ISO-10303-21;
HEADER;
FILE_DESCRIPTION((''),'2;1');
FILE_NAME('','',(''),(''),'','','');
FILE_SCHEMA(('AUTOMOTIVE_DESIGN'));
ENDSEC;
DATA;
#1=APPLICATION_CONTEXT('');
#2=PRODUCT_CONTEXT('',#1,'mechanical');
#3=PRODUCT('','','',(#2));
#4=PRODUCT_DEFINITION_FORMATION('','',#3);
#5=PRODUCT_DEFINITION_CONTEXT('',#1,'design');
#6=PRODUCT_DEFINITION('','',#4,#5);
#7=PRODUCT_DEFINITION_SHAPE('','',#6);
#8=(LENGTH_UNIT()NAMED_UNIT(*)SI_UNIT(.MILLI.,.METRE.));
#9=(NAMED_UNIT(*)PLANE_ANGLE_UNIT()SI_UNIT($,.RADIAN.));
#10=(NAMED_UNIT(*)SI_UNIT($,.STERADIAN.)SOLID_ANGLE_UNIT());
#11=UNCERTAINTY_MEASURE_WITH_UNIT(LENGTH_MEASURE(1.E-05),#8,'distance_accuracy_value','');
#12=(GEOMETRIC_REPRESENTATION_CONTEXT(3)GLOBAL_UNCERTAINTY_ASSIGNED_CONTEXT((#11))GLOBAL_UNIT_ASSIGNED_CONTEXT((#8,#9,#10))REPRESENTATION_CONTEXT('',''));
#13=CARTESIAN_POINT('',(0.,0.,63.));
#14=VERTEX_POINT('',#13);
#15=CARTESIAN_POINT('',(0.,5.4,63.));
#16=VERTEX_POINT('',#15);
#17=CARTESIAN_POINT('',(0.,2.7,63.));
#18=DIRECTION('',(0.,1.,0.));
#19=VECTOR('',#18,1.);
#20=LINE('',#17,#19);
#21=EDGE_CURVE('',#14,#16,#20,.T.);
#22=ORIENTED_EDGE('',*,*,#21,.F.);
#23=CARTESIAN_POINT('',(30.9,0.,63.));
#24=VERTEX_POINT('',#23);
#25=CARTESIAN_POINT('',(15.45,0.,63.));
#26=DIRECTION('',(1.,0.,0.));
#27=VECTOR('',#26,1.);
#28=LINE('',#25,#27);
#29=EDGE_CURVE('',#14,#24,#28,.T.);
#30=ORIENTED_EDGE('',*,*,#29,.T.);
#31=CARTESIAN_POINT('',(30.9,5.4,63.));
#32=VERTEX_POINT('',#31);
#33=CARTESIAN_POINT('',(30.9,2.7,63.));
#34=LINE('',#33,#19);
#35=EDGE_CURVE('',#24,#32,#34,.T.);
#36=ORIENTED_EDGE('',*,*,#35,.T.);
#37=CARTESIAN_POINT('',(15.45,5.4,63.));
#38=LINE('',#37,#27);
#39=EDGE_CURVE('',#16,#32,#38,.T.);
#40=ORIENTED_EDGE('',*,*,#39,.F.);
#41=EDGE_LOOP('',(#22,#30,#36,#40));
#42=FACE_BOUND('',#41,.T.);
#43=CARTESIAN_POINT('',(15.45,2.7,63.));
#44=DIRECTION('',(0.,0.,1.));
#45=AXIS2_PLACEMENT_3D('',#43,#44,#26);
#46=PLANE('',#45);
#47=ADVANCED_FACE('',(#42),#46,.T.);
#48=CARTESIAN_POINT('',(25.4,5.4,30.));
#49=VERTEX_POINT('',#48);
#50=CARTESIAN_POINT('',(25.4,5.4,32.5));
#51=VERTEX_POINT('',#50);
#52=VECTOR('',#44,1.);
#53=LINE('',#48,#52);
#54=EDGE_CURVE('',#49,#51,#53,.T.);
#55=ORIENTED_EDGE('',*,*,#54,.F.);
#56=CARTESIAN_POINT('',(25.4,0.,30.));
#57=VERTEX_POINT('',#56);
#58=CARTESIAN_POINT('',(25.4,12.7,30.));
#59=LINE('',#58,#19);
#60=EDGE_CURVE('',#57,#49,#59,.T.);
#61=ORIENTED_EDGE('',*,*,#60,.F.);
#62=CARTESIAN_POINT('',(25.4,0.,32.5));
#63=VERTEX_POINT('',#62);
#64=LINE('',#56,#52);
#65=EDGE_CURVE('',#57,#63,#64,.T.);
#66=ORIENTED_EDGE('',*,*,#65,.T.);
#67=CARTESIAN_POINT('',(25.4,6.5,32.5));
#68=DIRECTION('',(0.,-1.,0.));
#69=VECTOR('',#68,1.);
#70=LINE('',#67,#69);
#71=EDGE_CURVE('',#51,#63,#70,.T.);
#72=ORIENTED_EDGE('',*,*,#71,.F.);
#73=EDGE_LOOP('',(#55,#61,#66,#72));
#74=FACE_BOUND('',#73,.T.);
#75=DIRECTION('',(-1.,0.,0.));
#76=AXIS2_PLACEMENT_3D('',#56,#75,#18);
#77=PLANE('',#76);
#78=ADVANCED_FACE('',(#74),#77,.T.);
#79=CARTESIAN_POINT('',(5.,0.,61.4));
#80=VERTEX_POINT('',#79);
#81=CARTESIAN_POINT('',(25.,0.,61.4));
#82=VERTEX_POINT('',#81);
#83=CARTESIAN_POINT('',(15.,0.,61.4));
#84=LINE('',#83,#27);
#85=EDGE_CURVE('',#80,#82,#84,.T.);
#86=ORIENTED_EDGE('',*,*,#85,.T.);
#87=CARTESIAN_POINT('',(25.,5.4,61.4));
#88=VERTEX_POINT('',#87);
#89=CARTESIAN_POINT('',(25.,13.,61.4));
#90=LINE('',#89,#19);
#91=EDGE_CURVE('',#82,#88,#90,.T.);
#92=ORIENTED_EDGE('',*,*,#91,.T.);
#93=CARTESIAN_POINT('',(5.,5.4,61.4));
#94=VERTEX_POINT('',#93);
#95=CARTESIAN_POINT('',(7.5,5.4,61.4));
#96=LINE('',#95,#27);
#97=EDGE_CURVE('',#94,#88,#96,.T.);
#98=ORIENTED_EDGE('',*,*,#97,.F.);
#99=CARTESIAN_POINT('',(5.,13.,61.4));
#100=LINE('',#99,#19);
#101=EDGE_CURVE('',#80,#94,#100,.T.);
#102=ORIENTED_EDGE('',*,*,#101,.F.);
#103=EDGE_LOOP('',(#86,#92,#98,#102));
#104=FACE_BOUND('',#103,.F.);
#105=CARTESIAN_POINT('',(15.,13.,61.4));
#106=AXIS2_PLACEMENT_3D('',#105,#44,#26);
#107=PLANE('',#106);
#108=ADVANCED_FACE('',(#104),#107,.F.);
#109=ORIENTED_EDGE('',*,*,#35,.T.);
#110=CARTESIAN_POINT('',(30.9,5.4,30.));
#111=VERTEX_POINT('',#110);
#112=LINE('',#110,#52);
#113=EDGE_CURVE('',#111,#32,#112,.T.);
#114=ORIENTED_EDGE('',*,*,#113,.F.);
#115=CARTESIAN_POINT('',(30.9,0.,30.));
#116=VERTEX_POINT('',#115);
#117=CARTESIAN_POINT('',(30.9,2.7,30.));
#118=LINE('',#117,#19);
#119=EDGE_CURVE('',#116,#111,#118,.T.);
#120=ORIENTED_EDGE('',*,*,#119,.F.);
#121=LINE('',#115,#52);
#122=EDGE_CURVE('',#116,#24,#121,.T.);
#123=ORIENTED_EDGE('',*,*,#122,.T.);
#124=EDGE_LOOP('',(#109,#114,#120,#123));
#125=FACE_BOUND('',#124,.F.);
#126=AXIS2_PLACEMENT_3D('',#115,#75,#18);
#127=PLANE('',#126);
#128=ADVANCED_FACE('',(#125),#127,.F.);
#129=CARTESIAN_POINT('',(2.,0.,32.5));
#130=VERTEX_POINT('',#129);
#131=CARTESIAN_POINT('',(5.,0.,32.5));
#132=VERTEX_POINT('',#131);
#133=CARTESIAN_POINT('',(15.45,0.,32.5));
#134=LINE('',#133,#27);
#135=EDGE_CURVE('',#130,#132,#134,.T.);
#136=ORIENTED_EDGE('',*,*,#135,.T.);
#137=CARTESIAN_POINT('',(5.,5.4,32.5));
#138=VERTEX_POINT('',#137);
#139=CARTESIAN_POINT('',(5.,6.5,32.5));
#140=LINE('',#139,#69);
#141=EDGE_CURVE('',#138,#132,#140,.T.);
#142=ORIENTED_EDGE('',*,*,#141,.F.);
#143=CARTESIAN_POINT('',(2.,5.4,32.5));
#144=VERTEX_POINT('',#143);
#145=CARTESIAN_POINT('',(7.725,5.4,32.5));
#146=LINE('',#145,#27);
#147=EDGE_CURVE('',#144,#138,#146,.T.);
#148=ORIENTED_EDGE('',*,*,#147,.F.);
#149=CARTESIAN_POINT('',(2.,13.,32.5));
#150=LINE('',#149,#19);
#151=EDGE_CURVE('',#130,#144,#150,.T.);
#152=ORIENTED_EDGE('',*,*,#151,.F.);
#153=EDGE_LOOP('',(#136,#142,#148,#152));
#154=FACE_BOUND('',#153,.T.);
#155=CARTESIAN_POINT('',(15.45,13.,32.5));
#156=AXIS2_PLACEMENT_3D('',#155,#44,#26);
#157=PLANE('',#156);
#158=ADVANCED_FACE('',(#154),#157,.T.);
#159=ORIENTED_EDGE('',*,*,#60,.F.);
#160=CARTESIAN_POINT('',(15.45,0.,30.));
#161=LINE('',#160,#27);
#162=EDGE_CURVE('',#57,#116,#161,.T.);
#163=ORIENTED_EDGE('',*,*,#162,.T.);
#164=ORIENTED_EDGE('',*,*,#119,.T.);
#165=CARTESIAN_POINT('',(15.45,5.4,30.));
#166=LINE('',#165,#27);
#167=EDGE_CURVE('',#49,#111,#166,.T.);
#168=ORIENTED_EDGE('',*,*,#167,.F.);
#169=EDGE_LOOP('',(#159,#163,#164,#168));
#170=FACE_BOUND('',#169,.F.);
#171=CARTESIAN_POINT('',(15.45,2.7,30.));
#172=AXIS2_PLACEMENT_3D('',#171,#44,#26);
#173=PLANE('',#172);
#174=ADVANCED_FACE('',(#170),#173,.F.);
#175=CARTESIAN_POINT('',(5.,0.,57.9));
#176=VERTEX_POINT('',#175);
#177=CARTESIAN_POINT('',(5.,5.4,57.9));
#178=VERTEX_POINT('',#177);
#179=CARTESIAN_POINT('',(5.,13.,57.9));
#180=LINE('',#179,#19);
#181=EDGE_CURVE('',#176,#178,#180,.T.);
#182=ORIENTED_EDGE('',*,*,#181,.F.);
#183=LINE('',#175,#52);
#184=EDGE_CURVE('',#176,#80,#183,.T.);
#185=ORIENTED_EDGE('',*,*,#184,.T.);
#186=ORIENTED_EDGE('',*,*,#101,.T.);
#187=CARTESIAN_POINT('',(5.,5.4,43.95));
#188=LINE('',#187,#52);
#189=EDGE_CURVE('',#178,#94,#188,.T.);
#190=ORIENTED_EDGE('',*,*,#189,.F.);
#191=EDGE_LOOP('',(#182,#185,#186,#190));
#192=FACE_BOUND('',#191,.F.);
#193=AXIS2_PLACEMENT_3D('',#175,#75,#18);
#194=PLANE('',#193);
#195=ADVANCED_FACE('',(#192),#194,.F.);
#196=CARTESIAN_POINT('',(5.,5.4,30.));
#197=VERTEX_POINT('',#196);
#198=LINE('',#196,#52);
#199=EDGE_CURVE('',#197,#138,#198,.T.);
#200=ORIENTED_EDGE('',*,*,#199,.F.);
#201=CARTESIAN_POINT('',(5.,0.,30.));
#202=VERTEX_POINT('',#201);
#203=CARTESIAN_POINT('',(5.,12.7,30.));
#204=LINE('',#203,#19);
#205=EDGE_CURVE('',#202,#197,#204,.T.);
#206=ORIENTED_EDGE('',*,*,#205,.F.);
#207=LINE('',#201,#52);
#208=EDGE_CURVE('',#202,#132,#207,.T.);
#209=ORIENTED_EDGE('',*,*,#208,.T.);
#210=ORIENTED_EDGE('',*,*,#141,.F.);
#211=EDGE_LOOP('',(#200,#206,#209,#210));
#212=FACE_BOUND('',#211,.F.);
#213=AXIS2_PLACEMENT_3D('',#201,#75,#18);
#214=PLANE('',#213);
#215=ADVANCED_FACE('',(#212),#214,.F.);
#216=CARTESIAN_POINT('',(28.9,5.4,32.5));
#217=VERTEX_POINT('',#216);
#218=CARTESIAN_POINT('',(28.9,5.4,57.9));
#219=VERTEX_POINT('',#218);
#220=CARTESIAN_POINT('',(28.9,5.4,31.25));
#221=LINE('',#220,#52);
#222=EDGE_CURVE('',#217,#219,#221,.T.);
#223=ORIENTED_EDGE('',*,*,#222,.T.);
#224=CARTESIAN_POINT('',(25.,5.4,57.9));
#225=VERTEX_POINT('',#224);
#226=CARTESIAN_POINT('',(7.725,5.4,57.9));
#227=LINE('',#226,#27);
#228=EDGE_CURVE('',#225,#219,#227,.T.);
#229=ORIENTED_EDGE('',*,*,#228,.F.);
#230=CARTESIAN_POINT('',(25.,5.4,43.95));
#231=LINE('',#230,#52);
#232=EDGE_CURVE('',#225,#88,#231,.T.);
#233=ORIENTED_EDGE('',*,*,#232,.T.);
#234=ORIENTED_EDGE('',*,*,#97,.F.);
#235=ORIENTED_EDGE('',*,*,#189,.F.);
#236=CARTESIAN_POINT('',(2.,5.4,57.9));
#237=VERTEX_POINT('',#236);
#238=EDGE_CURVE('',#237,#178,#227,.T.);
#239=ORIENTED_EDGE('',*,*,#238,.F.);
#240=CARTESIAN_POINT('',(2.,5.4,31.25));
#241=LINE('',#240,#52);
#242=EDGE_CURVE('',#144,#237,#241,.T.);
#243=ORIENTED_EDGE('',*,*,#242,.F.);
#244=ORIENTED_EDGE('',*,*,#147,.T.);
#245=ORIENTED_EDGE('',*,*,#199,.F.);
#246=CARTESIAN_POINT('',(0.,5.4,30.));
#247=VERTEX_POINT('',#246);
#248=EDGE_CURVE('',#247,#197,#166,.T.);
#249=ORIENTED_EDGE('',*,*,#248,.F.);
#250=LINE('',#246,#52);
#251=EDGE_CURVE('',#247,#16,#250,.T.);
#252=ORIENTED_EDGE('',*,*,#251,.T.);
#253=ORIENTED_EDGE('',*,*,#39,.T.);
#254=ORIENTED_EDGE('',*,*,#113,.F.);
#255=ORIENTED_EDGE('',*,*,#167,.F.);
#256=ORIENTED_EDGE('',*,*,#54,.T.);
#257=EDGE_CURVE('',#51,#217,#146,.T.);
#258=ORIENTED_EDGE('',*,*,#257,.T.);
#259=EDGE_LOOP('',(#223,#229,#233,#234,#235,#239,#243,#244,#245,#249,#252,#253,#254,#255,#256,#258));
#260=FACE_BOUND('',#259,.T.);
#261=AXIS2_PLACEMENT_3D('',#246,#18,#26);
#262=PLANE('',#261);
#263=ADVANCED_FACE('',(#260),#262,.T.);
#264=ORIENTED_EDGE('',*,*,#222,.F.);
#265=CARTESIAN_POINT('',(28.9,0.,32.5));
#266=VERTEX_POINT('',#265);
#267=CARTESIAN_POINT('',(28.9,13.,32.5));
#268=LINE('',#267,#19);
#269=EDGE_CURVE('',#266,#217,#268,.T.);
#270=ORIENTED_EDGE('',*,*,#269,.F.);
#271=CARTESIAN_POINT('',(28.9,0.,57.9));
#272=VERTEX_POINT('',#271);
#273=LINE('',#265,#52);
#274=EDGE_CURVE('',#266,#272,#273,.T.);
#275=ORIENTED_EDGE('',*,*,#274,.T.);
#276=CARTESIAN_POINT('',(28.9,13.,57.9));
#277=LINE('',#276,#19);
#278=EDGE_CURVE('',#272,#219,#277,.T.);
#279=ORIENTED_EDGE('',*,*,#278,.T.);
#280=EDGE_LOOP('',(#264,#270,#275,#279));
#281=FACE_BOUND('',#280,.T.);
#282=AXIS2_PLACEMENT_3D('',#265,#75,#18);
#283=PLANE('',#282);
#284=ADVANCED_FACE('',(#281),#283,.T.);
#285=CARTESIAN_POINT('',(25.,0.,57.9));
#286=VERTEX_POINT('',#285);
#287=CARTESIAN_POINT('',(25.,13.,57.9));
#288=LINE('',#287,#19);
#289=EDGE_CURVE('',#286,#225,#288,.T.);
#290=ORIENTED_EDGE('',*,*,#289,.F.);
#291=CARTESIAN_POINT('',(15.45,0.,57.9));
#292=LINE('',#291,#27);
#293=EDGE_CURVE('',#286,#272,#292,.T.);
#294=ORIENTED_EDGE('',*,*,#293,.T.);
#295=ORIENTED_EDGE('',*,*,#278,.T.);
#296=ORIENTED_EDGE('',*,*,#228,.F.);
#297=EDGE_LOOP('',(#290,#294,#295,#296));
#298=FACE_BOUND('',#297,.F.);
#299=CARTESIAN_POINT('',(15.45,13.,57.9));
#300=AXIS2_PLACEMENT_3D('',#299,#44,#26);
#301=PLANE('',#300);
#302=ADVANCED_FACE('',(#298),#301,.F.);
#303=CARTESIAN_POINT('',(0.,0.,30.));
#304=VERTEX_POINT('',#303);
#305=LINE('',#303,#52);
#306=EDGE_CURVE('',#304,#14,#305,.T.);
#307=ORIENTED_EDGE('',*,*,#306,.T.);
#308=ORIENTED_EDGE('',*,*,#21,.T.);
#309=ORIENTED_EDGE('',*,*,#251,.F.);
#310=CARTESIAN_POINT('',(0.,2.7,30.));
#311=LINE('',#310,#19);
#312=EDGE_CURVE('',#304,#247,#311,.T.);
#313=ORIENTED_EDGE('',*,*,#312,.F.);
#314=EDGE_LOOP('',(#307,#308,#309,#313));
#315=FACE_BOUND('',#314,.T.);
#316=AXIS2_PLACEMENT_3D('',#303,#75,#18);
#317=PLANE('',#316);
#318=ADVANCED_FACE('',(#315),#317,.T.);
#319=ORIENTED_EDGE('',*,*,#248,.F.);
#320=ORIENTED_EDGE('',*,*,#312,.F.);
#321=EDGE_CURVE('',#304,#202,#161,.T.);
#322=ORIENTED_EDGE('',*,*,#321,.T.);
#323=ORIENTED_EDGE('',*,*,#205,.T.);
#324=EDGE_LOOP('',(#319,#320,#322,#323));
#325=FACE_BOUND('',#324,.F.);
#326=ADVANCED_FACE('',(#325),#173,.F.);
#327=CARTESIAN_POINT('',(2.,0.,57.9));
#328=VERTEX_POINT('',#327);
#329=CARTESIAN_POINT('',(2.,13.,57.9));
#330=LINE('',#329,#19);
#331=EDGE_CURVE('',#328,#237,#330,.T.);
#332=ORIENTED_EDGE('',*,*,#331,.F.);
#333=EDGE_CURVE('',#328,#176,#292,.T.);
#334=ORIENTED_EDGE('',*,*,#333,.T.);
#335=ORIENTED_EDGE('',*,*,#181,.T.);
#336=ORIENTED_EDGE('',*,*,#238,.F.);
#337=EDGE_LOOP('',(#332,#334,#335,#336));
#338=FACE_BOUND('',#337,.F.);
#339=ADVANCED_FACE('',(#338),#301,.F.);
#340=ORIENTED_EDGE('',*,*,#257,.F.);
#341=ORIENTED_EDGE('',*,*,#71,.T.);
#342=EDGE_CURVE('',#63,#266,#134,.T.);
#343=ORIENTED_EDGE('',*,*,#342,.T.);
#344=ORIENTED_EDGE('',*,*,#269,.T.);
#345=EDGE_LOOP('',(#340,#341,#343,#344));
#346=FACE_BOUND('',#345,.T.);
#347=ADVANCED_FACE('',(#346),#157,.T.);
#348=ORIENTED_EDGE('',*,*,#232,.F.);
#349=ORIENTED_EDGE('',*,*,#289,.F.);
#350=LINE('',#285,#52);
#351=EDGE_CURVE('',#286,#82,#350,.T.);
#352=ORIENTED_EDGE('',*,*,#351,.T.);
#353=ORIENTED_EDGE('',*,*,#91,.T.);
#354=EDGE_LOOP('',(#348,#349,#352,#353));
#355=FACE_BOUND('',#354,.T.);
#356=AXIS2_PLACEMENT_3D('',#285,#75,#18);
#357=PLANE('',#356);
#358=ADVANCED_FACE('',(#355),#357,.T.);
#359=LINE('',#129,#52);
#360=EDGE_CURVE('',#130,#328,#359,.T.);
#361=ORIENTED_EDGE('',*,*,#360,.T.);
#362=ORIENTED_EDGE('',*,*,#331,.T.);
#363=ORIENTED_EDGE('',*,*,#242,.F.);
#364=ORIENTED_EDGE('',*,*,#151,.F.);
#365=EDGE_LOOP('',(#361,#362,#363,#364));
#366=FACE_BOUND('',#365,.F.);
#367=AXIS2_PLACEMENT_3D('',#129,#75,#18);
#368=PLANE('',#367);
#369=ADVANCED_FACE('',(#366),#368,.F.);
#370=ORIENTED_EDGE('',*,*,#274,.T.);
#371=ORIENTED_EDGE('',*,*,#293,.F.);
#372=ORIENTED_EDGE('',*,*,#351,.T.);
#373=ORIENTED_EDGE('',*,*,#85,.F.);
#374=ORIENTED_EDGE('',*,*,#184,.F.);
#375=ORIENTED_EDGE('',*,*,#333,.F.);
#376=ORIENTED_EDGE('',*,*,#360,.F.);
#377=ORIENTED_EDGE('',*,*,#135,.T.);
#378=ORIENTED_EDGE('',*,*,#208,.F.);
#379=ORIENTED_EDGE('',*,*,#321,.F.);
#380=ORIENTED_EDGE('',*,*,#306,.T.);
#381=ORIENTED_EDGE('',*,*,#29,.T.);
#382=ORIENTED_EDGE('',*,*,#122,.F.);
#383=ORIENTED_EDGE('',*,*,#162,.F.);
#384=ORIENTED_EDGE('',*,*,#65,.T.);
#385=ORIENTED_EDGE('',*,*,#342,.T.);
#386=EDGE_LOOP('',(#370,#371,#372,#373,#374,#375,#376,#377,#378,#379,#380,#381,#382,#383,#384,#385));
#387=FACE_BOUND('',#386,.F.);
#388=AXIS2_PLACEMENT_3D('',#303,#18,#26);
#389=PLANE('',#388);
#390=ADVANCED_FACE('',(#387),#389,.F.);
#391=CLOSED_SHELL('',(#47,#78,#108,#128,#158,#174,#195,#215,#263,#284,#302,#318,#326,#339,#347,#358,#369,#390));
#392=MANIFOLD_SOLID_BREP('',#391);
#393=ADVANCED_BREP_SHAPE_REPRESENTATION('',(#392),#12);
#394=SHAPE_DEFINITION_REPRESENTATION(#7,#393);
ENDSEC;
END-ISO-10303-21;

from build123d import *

# Parameters (mm, degrees)
BOX003_W     = 20
BOX003_H     = 26
BOX003_DEPTH = 3.5
BOX002_W     = 20.4
BOX002_H     = 25.4
BOX002_DEPTH = 10
BOX001_W     = 26.9
BOX001_H     = 26
BOX001_DEPTH = 25.4
BOX_W        = 30.9
BOX_H        = 5.4
BOX_DEPTH    = 33


with BuildPart() as cableslot:
    # Box003 → Box003 (new body)
    with BuildSketch(Plane(origin=(5, 0, 27.9), x_dir=(1, 0, 0), z_dir=(0, 0, 1))):
        with Locations((10, 13)):
            Rectangle(BOX003_W, BOX003_H)
    extrude(amount=BOX003_DEPTH)


with BuildPart() as gap:
    # Box002 → Box002 (new body)
    with BuildSketch(Plane(origin=(5, 0, 0), x_dir=(1, 0, 0), z_dir=(0, 0, 1))):
        with Locations((10.2, 12.7)):
            Rectangle(BOX002_W, BOX002_H)
    extrude(amount=BOX002_DEPTH)


with BuildPart() as bar:
    # Box001 → Box001 (new body)
    with BuildSketch(Plane(origin=(2, 0, 2.5), x_dir=(1, 0, 0), z_dir=(0, 0, 1))):
        with Locations((13.45, 13)):
            Rectangle(BOX001_W, BOX001_H)
    extrude(amount=BOX001_DEPTH)


with BuildPart() as cut002:
    # Box → Box (new body)
    with BuildSketch(Plane.XY):
        with Locations((15.45, 2.7)):
            Rectangle(BOX_W, BOX_H)
    extrude(amount=BOX_DEPTH)

    # Cut: cut Bar
    add(bar.part, mode=Mode.SUBTRACT)

    # Cut001: cut Gap
    add(gap.part, mode=Mode.SUBTRACT)

    # Cut002: cut CableSlot
    add(cableslot.part, mode=Mode.SUBTRACT)


with BuildPart() as cut002_1:
    # Cut002 placement: moved
    add(cut002.part.moved(Location((0, 0, 30))))


solid = cut002_1.part
